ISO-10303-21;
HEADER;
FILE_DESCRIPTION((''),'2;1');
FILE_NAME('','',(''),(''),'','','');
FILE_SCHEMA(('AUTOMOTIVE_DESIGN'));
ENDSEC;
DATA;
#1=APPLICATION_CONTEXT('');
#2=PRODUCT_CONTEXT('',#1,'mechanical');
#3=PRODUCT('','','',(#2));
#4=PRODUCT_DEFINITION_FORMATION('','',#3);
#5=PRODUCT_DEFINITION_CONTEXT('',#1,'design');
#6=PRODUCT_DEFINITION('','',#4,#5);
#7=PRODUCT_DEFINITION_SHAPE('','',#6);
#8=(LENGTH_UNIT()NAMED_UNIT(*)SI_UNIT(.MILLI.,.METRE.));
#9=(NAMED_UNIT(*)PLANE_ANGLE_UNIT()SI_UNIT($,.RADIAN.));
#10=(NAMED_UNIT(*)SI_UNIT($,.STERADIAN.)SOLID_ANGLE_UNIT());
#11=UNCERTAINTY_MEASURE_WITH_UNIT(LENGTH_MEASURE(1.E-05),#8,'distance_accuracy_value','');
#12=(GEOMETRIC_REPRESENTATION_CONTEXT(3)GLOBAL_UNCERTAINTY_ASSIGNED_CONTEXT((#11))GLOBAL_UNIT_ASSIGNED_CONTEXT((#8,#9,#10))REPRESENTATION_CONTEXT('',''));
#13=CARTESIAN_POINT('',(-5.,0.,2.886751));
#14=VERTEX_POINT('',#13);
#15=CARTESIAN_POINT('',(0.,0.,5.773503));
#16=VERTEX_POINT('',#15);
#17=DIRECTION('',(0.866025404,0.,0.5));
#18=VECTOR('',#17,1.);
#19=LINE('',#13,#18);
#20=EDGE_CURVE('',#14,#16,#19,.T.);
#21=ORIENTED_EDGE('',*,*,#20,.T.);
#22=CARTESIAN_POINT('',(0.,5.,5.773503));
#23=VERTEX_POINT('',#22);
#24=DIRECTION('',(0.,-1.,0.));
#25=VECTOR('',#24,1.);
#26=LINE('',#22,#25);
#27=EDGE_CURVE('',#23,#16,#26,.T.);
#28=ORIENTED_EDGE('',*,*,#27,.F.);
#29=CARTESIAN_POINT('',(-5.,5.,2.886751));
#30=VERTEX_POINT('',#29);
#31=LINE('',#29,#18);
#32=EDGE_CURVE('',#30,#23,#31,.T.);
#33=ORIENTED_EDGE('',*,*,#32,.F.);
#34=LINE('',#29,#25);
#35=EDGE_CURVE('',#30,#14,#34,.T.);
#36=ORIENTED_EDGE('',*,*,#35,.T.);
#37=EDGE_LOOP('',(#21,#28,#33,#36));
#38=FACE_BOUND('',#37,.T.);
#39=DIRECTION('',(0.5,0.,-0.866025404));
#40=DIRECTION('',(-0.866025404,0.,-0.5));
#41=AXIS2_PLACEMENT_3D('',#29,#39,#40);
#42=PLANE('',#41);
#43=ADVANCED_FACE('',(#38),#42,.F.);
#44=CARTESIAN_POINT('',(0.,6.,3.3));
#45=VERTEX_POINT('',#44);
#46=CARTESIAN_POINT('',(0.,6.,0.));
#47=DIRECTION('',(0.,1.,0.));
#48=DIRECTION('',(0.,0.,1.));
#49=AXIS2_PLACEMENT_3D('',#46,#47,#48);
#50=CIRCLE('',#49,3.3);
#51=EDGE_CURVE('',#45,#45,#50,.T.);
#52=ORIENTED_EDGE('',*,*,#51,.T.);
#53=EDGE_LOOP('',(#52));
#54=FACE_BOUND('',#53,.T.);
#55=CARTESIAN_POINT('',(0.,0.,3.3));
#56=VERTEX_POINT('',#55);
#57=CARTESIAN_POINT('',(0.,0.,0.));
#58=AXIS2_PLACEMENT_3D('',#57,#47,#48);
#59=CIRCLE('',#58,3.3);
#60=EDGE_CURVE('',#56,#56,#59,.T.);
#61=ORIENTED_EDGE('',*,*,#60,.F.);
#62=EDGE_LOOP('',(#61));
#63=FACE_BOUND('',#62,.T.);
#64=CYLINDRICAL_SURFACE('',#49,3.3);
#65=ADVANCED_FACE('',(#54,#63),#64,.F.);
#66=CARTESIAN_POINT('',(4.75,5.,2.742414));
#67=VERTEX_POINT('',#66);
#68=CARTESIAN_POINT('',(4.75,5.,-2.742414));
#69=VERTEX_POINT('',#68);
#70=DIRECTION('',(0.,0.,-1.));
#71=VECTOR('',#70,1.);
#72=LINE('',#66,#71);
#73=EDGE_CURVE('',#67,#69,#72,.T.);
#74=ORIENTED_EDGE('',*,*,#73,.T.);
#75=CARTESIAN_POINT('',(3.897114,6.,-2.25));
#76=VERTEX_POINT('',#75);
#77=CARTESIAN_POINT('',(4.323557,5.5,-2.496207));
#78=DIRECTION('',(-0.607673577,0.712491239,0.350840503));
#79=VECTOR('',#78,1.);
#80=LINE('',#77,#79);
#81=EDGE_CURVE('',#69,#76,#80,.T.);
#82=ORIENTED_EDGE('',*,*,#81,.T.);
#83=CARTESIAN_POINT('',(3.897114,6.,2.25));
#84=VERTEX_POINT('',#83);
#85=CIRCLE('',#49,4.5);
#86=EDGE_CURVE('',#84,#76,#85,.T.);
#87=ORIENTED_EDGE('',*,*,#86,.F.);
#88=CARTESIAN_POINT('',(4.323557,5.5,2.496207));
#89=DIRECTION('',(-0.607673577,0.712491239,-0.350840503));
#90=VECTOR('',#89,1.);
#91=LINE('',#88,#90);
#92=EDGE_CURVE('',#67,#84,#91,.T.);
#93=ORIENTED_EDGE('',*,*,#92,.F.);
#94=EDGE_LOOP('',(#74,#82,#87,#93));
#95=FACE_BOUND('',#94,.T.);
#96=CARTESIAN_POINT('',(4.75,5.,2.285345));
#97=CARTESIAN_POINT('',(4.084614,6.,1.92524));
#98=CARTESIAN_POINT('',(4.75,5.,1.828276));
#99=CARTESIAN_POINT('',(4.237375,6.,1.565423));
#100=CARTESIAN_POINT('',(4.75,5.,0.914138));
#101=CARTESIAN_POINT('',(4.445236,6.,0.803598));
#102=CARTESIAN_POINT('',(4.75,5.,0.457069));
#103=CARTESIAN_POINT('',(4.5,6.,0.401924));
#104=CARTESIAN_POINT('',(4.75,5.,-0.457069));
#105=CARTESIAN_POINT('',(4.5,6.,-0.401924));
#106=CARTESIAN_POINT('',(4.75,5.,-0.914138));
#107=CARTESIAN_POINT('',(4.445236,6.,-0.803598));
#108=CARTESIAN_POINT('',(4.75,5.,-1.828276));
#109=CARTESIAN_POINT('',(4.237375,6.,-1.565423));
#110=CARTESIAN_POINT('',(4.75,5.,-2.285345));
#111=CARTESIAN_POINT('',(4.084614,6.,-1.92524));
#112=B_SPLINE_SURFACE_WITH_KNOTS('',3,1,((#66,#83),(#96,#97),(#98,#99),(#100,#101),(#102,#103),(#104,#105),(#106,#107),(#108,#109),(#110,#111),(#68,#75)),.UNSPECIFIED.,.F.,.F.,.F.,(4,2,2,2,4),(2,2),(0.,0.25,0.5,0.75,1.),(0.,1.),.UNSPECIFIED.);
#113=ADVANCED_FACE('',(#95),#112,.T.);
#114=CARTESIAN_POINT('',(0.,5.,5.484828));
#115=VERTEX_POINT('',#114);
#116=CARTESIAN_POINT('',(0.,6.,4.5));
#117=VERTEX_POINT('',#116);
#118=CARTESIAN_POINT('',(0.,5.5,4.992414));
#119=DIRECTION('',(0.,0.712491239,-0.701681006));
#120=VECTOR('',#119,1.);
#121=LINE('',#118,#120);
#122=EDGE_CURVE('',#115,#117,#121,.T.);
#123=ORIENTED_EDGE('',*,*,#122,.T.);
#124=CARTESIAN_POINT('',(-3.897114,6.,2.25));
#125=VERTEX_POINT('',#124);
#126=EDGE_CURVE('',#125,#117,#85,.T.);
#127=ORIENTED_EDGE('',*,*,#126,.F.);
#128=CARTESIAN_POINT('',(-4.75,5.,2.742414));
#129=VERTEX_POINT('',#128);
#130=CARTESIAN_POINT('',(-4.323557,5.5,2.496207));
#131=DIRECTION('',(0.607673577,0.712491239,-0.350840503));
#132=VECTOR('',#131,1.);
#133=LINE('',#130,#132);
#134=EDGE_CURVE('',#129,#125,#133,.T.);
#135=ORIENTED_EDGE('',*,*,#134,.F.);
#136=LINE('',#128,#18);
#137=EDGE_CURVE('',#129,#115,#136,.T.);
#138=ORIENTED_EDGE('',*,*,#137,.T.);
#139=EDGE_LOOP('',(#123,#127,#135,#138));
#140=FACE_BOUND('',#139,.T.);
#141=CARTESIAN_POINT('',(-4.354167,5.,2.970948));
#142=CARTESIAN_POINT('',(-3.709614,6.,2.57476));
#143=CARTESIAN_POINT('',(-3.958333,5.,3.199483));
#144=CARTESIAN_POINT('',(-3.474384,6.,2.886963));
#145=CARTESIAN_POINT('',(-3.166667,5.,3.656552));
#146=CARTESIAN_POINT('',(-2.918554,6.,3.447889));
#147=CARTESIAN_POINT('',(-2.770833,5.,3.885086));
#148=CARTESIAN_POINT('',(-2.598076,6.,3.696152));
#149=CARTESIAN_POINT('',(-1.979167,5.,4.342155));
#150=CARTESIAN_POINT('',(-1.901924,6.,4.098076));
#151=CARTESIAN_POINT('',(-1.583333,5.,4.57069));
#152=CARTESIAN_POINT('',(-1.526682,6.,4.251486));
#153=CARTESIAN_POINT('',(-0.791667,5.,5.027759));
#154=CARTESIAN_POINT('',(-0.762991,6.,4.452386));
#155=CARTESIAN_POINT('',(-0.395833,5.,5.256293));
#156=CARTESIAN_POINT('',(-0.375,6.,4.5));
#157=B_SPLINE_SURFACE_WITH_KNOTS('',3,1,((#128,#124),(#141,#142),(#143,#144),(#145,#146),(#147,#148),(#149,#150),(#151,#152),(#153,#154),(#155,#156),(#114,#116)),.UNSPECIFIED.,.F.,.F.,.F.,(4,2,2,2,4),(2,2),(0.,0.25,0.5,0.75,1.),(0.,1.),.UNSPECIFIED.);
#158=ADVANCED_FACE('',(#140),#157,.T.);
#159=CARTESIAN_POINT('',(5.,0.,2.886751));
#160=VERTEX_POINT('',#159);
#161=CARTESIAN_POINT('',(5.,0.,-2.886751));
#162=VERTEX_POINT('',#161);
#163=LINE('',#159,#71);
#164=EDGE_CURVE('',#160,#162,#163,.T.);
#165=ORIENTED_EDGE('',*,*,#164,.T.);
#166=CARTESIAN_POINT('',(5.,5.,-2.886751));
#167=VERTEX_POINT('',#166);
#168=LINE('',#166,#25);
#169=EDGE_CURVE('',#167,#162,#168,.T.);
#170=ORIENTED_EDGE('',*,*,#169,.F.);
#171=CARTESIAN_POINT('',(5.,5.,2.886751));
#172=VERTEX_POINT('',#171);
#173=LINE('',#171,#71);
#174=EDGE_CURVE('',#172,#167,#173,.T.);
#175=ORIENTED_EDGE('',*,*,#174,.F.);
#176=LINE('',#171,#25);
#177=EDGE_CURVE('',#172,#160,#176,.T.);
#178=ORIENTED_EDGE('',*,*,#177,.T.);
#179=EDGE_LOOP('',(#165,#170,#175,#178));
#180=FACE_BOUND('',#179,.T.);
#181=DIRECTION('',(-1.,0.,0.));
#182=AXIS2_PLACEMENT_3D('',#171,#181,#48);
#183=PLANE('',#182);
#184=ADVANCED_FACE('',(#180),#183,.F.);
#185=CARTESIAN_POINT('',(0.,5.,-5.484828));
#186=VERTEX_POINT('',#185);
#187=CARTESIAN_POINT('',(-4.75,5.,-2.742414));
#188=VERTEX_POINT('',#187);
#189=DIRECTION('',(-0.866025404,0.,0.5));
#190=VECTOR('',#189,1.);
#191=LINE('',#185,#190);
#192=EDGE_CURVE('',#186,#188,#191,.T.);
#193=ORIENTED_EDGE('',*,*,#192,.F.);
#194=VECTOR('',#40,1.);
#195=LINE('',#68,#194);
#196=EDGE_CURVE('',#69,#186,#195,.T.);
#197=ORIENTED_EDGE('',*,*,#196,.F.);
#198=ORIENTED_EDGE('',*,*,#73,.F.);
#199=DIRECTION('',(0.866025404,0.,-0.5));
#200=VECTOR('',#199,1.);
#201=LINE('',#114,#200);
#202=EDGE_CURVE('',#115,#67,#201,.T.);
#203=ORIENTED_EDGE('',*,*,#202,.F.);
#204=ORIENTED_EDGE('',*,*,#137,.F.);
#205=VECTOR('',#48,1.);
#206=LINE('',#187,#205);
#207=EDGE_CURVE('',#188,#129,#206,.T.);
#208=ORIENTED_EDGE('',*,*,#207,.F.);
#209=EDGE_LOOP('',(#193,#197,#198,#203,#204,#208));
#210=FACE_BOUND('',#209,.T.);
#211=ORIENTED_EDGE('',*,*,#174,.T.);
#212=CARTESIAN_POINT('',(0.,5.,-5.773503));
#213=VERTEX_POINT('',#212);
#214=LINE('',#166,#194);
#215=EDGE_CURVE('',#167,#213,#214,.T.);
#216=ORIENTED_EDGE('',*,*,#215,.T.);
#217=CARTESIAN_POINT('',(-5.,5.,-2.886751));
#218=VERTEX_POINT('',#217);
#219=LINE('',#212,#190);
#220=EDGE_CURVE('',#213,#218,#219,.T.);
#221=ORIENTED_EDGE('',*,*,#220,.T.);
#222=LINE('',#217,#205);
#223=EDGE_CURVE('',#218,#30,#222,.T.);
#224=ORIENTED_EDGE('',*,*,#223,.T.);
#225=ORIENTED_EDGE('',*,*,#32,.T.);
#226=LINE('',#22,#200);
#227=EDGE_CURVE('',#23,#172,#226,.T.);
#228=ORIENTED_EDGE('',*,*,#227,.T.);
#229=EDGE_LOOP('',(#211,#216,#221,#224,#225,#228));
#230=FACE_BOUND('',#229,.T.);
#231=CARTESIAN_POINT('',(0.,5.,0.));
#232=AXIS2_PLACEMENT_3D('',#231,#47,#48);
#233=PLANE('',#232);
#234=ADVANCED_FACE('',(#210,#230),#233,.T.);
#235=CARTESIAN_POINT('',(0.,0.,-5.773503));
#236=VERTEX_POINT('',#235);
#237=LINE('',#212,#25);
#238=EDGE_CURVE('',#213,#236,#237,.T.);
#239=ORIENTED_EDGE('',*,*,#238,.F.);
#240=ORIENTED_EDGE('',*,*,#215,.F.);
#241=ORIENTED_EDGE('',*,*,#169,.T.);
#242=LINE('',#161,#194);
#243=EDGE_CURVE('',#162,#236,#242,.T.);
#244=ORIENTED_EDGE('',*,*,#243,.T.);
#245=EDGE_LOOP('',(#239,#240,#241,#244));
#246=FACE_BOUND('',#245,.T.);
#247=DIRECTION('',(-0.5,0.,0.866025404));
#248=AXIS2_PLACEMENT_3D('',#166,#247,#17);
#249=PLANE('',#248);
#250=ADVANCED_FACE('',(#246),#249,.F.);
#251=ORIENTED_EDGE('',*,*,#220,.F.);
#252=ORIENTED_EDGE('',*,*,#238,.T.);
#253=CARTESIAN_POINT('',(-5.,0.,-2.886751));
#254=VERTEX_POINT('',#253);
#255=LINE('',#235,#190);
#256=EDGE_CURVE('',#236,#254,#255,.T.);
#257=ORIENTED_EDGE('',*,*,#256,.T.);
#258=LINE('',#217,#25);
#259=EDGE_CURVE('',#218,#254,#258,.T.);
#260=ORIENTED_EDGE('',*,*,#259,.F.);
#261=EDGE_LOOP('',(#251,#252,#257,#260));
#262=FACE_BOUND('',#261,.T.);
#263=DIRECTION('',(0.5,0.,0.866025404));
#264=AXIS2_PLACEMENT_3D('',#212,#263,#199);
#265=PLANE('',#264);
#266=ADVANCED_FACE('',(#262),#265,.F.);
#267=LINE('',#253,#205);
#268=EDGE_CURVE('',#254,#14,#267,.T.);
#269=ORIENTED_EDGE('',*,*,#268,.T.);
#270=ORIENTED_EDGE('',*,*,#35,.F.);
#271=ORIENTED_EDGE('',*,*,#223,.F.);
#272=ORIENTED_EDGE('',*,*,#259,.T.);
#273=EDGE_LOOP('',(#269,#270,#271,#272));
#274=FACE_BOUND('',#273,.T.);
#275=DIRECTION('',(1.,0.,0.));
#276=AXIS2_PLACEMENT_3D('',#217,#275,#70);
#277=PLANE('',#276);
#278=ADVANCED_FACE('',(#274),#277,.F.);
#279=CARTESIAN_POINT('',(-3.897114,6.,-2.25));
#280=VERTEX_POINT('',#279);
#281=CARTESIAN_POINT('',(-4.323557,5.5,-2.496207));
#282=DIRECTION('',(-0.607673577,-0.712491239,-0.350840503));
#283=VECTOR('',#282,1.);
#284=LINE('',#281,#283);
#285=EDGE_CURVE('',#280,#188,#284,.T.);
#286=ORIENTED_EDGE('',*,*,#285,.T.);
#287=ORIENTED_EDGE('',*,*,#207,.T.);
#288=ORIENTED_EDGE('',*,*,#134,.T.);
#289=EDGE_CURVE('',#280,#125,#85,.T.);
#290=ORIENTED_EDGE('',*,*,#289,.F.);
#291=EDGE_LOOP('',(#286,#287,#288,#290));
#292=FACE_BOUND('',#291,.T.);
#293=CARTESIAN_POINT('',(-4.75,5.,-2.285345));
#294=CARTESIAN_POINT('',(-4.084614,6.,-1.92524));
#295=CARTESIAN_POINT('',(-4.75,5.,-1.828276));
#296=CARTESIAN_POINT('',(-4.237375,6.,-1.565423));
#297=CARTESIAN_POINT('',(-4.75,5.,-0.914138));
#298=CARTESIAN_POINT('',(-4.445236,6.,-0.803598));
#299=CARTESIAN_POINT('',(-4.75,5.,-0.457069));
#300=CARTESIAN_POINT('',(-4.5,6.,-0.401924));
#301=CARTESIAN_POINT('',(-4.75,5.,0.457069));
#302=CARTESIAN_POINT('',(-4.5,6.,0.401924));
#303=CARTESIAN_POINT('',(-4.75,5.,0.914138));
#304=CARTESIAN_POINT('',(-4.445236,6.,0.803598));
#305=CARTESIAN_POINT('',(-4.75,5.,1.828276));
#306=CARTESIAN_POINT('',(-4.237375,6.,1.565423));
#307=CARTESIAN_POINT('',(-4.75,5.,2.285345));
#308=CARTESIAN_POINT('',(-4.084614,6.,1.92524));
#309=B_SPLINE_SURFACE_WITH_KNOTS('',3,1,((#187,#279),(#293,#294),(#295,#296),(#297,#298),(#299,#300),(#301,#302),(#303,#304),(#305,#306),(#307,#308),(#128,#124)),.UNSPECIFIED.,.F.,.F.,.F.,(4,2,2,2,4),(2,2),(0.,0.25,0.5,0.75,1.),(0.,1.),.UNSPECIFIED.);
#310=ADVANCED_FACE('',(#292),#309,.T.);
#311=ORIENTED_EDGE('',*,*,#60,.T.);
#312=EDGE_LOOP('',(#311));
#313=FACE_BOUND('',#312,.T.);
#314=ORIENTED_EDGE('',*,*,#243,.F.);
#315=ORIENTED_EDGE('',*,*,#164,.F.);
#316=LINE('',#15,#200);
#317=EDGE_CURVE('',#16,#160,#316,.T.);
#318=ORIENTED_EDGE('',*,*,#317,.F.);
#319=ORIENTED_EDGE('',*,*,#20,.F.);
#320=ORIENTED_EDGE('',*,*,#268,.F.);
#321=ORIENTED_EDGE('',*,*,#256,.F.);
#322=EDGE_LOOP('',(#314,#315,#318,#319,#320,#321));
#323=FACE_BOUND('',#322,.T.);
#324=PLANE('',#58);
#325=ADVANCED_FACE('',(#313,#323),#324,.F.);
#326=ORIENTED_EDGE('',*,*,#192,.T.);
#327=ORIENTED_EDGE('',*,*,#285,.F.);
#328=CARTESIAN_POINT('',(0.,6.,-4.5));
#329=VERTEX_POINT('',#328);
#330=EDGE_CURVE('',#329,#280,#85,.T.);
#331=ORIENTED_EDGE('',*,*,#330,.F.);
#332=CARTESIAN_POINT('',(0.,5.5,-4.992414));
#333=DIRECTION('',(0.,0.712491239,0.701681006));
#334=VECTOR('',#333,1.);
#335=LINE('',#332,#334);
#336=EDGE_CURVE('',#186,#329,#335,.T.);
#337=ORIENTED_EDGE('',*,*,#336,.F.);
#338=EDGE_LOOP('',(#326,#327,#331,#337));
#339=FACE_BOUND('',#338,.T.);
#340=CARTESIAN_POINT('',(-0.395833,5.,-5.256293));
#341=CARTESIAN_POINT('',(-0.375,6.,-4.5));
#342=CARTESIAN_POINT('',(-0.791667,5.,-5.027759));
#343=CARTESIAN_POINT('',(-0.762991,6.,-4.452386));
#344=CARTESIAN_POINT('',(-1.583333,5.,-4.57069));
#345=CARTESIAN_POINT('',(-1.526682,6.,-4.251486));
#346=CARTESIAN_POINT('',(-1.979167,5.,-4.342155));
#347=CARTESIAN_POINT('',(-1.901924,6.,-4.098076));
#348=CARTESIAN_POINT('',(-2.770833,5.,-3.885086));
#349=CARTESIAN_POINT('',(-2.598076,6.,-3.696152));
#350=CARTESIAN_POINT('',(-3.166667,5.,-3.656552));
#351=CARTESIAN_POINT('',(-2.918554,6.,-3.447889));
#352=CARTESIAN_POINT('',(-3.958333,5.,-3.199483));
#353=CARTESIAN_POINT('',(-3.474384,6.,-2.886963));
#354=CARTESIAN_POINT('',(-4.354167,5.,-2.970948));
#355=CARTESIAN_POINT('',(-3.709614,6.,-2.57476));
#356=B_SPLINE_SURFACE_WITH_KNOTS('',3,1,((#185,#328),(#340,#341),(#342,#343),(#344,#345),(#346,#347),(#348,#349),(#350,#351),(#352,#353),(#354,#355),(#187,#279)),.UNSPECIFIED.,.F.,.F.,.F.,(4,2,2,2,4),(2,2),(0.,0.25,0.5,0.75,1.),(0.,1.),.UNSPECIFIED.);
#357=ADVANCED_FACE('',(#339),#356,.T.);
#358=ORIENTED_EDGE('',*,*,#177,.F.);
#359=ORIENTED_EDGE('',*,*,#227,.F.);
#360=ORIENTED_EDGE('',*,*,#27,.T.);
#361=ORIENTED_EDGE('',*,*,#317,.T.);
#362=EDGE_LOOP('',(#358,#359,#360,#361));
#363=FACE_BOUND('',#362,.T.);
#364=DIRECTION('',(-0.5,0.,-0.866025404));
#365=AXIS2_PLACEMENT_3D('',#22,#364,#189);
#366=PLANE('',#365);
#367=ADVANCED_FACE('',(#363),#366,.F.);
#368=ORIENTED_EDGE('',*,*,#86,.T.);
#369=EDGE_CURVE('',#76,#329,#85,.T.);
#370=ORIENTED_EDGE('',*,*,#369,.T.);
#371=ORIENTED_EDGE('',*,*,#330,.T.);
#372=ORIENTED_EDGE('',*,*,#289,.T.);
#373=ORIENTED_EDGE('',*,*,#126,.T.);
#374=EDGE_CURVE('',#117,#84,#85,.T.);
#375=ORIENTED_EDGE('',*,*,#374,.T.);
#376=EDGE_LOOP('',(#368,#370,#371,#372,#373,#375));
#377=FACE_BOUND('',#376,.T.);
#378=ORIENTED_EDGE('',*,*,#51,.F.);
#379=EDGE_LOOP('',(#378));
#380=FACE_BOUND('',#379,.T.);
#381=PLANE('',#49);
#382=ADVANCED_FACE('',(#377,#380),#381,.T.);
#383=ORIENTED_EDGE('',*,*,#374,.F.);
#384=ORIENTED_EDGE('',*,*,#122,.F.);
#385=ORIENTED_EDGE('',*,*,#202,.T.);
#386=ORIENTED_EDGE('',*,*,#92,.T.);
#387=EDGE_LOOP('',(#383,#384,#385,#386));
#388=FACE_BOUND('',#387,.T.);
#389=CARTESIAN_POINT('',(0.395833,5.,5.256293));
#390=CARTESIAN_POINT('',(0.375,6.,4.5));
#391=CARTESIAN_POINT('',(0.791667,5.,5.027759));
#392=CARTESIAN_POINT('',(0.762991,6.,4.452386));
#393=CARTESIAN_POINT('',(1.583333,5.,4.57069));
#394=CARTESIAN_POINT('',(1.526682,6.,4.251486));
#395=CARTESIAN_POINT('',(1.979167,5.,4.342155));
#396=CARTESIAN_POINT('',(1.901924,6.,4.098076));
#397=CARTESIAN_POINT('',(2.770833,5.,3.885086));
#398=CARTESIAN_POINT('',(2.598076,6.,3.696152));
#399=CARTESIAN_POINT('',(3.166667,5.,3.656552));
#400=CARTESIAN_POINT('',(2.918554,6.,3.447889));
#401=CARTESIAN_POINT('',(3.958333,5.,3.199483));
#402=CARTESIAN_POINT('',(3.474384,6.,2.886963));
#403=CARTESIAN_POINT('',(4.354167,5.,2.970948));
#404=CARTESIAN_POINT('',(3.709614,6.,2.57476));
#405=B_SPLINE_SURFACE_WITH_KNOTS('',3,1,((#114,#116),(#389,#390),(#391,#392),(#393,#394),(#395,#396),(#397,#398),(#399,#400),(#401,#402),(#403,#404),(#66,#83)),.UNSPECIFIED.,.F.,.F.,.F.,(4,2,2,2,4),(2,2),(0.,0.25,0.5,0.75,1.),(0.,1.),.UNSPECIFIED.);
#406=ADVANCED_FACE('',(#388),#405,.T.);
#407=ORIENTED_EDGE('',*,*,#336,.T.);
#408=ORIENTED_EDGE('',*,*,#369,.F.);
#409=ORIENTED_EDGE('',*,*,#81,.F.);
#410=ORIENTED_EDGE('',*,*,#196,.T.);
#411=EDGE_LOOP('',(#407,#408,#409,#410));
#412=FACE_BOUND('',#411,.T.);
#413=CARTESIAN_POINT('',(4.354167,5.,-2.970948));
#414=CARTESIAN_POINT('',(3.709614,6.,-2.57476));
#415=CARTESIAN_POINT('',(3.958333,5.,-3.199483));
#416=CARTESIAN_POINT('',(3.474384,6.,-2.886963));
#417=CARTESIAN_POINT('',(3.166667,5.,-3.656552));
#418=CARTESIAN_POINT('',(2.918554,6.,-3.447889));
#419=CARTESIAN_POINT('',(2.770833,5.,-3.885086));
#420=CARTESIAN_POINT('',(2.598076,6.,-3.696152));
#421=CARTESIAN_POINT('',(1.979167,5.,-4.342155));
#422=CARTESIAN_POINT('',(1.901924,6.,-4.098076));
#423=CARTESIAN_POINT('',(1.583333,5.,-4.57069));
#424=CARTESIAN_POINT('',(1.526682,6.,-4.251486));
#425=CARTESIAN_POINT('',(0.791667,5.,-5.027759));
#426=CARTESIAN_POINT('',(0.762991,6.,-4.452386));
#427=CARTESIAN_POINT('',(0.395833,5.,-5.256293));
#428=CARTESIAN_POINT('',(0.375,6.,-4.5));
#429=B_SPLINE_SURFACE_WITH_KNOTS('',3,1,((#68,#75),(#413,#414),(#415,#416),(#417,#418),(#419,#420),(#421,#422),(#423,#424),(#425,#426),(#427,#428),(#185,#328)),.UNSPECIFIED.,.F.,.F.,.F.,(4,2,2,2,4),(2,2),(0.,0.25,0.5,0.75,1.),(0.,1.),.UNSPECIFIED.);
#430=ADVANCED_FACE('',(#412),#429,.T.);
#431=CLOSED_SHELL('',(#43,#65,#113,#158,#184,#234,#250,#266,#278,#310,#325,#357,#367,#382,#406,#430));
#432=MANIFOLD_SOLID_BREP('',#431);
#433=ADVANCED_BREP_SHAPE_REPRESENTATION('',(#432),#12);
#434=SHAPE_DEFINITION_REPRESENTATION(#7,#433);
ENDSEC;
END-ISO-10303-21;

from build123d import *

# Parameters (mm, degrees)
BODY_DEPTH           = 5
M6_CLEARANCE_HOLE1_D = 6.6


with BuildPart() as part:
    # Sketch1 → Body (new body)
    with BuildSketch(Plane(origin=(0, 0, 0), x_dir=(1, 0, 0), z_dir=(0, 1, 0))):
        Polygon((0, 5.773502692), (-5, 2.886751346), (-5, -2.886751346), (0, -5.773502692), (5, -2.886751346), (5, 2.886751346), align=None)
    extrude(amount=BODY_DEPTH)

    # Sketch5 → Loft1 section 0
    with BuildSketch(Plane(origin=(0, 5, 0), x_dir=(1, 0, 0), z_dir=(0, 1, 0))):
        with BuildLine():
            Line((4.75, 2.742413779), (0, 5.484827557))
            Line((0, 5.484827557), (-4.75, 2.742413779))
            Line((-4.75, 2.742413779), (-4.75, -2.742413779))
            Line((-4.75, -2.742413779), (0, -5.484827557))
            Line((0, -5.484827557), (4.75, -2.742413779))
            Line((4.75, -2.742413779), (4.75, 2.742413779))
        make_face()
    # Sketch4 for Loft1 → Loft1 section 1
    with BuildSketch(Plane(origin=(0, 6, 0), x_dir=(1, 0, 0), z_dir=(0, 1, 0))):
        with BuildLine():
            # circular arc as an exact rational Bezier (weights 1, cos(half-angle), 1)
            Bezier((3.897114317, 2.25), (2.598076211, 4.5), (0, 4.5), weights=[1, 0.866025404, 1])
            Bezier((0, 4.5), (-2.598076211, 4.5), (-3.897114317, 2.25), weights=[1, 0.866025404, 1])
            Bezier((-3.897114317, 2.25), (-5.196152423, 0), (-3.897114317, -2.25), weights=[1, 0.866025404, 1])
            Bezier((-3.897114317, -2.25), (-2.598076211, -4.5), (0, -4.5), weights=[1, 0.866025404, 1])
            Bezier((0, -4.5), (2.598076211, -4.5), (3.897114317, -2.25), weights=[1, 0.866025404, 1])
            Bezier((3.897114317, -2.25), (5.196152423, 0), (3.897114317, 2.25), weights=[1, 0.866025404, 1])
        make_face()
    loft()

    # M6 Clearance Hole1 (through all)
    with Locations(Plane(origin=(0, 6, 0), x_dir=(1, 0, 0), z_dir=(0, 1, 0))):
        with Locations((0, 0)):
            Hole(M6_CLEARANCE_HOLE1_D / 2)


solid = part.part
